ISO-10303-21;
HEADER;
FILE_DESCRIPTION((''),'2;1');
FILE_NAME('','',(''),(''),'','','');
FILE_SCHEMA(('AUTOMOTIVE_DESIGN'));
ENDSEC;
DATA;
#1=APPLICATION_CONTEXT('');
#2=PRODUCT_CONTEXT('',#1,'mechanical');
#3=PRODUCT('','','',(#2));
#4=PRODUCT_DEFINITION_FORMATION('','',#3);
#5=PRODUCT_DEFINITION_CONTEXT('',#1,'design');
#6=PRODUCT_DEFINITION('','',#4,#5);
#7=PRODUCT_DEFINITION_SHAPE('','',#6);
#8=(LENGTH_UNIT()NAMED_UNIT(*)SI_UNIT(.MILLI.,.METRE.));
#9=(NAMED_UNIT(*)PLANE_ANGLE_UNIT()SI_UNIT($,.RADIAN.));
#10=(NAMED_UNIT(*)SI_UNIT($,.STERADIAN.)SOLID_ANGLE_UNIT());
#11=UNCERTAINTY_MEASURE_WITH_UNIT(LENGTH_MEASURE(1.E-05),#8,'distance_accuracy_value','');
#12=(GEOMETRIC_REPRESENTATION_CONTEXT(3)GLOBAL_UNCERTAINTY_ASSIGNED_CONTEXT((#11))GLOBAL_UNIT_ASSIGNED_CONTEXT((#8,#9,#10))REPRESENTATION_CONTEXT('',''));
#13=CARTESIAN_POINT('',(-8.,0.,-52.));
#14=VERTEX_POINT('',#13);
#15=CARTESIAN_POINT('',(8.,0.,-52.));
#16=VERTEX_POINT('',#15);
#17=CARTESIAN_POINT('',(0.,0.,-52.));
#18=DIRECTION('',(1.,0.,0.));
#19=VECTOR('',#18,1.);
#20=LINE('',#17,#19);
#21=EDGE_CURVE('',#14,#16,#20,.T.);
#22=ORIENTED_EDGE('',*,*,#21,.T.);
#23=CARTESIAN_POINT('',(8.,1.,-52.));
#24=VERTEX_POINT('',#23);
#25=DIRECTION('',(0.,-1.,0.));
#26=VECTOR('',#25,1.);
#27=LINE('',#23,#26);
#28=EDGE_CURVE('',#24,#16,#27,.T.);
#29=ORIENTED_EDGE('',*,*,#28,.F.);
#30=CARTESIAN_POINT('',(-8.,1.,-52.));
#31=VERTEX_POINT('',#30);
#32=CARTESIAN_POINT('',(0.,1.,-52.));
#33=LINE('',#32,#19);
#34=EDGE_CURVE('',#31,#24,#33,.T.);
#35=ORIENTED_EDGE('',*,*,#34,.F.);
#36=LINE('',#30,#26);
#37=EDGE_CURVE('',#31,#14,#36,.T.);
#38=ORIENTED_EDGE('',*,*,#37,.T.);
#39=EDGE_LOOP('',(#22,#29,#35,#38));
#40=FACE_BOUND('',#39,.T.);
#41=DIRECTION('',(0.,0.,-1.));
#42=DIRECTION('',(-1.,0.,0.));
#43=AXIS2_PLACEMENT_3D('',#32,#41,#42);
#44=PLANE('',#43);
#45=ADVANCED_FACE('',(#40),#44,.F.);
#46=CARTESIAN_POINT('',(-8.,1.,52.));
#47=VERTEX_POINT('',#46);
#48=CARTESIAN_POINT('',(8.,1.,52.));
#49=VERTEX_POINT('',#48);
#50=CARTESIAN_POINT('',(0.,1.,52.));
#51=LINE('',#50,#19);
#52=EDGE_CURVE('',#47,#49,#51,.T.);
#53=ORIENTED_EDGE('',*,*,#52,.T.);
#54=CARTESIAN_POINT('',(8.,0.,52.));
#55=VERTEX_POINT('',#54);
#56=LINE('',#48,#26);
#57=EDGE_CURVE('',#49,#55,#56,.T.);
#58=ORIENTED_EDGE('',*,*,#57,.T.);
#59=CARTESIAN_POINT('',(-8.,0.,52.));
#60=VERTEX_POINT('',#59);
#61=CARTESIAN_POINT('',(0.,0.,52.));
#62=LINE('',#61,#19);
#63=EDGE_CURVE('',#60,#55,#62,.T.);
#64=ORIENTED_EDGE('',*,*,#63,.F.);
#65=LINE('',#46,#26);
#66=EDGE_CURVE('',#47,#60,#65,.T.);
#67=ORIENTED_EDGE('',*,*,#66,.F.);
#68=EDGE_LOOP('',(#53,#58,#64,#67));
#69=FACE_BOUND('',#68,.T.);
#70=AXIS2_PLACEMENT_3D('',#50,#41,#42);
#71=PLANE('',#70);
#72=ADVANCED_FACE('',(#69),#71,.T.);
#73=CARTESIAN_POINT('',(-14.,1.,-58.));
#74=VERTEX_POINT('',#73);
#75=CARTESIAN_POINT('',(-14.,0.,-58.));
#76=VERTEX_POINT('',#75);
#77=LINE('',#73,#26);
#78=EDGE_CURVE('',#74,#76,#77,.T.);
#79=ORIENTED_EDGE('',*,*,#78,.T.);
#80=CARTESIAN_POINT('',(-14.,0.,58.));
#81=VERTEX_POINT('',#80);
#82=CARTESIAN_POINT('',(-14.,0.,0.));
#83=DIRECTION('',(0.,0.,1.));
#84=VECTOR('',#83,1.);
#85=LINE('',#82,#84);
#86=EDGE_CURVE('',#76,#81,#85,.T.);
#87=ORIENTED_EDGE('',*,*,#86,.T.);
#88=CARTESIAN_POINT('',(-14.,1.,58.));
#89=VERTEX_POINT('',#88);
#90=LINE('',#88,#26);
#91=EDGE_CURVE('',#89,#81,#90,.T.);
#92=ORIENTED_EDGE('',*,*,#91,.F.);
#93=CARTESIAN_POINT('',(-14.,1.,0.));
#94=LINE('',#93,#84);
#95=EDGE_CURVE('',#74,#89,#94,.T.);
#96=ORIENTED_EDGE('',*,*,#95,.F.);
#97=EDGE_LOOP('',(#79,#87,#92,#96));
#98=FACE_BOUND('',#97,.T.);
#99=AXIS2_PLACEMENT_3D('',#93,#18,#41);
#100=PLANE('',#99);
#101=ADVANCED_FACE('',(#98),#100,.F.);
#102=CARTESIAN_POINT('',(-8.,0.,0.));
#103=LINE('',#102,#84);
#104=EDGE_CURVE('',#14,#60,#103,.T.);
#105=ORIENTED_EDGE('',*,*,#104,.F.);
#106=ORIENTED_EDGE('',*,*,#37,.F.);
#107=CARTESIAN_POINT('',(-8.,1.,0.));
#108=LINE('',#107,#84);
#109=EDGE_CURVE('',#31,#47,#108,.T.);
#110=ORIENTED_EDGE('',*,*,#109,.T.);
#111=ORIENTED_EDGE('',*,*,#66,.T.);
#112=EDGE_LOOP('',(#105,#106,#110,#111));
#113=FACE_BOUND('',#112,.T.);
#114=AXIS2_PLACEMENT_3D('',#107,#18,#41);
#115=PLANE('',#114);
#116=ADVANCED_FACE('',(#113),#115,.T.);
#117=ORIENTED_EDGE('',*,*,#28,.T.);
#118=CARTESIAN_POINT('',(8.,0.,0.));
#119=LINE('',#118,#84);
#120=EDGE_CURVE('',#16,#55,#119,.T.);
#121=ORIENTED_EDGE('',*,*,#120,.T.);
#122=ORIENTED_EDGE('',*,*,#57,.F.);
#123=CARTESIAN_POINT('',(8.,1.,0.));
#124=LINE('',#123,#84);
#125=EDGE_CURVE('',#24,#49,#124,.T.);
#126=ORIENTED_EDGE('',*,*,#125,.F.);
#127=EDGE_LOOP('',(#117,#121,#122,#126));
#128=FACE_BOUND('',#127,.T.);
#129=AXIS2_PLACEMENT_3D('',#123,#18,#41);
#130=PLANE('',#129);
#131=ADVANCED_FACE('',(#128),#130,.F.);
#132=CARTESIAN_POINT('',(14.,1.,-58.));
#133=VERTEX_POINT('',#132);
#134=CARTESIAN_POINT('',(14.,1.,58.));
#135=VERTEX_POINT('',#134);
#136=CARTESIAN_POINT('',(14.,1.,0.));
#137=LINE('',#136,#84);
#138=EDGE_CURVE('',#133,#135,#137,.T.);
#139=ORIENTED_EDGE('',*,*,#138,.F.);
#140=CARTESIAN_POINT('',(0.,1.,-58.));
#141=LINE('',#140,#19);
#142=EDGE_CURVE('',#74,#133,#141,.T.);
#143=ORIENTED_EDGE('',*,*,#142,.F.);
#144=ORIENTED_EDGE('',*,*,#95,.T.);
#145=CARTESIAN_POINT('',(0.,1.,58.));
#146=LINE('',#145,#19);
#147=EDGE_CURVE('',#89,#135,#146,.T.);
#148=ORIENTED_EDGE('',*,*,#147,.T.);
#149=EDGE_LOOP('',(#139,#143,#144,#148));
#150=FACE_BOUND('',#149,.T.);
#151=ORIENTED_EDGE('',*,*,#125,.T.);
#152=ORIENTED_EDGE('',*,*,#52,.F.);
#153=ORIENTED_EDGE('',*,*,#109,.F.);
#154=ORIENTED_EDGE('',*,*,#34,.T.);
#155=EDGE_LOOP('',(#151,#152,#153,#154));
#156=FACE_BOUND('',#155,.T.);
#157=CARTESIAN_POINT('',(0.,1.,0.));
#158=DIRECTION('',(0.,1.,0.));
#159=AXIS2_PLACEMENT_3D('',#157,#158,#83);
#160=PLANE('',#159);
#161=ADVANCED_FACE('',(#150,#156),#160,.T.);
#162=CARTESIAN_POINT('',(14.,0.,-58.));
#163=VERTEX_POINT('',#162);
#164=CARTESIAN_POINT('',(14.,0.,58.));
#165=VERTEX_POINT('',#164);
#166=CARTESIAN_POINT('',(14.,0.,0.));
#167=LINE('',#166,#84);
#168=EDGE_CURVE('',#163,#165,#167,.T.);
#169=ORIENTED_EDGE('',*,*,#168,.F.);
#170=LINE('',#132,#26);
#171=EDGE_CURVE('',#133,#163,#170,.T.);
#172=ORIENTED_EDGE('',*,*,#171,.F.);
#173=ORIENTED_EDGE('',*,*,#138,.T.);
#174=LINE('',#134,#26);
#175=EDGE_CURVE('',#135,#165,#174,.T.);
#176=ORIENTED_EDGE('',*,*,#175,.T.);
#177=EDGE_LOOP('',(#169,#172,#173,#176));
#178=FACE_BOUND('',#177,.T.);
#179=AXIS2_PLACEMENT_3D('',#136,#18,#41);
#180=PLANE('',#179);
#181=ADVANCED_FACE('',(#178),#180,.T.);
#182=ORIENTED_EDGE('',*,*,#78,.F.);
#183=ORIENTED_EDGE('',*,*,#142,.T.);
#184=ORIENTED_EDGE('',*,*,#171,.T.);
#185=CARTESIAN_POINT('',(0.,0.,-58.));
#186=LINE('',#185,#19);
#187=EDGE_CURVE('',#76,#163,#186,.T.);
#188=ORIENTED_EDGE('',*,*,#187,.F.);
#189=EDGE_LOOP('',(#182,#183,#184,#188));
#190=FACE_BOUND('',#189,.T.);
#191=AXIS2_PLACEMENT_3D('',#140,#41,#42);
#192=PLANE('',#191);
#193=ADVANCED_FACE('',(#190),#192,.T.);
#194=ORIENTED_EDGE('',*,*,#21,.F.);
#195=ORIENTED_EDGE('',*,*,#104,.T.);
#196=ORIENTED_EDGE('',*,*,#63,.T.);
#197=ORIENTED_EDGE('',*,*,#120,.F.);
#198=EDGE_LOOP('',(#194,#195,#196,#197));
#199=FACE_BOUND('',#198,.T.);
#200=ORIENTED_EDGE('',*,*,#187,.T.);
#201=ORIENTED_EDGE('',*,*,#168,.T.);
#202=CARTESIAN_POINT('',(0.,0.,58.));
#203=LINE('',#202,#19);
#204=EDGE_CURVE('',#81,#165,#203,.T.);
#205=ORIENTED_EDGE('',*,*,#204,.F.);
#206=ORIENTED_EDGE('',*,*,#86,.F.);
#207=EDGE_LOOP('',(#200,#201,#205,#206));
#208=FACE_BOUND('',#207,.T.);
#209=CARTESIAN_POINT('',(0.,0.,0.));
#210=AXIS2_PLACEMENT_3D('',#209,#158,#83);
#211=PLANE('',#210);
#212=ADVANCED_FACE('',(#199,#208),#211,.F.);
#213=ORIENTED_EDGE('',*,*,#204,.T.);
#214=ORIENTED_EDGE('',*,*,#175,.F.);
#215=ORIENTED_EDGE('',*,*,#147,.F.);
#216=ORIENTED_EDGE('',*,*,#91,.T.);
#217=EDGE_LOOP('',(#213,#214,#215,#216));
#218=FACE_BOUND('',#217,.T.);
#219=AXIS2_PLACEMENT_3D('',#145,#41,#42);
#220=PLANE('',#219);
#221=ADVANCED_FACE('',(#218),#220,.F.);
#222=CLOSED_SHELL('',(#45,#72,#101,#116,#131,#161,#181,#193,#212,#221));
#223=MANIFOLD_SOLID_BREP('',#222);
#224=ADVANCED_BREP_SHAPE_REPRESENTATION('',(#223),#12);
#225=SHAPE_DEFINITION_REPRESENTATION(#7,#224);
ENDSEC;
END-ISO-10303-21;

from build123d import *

# Parameters (mm, degrees)
SKETCH6_W           = 28
SKETCH6_H           = 116
SKETCH6_W_2         = 16
SKETCH6_H_2         = 104
BOSS_EXTRUDE1_DEPTH = 1


with BuildPart() as part:
    # Sketch6 → Boss-Extrude1 (new body)
    with BuildSketch(Plane(origin=(0, 0, 0), x_dir=(1, 0, 0), z_dir=(0, 1, 0))):
        Rectangle(SKETCH6_W, SKETCH6_H)
        Rectangle(SKETCH6_W_2, SKETCH6_H_2, mode=Mode.SUBTRACT)
    extrude(amount=BOSS_EXTRUDE1_DEPTH)


solid = part.part
